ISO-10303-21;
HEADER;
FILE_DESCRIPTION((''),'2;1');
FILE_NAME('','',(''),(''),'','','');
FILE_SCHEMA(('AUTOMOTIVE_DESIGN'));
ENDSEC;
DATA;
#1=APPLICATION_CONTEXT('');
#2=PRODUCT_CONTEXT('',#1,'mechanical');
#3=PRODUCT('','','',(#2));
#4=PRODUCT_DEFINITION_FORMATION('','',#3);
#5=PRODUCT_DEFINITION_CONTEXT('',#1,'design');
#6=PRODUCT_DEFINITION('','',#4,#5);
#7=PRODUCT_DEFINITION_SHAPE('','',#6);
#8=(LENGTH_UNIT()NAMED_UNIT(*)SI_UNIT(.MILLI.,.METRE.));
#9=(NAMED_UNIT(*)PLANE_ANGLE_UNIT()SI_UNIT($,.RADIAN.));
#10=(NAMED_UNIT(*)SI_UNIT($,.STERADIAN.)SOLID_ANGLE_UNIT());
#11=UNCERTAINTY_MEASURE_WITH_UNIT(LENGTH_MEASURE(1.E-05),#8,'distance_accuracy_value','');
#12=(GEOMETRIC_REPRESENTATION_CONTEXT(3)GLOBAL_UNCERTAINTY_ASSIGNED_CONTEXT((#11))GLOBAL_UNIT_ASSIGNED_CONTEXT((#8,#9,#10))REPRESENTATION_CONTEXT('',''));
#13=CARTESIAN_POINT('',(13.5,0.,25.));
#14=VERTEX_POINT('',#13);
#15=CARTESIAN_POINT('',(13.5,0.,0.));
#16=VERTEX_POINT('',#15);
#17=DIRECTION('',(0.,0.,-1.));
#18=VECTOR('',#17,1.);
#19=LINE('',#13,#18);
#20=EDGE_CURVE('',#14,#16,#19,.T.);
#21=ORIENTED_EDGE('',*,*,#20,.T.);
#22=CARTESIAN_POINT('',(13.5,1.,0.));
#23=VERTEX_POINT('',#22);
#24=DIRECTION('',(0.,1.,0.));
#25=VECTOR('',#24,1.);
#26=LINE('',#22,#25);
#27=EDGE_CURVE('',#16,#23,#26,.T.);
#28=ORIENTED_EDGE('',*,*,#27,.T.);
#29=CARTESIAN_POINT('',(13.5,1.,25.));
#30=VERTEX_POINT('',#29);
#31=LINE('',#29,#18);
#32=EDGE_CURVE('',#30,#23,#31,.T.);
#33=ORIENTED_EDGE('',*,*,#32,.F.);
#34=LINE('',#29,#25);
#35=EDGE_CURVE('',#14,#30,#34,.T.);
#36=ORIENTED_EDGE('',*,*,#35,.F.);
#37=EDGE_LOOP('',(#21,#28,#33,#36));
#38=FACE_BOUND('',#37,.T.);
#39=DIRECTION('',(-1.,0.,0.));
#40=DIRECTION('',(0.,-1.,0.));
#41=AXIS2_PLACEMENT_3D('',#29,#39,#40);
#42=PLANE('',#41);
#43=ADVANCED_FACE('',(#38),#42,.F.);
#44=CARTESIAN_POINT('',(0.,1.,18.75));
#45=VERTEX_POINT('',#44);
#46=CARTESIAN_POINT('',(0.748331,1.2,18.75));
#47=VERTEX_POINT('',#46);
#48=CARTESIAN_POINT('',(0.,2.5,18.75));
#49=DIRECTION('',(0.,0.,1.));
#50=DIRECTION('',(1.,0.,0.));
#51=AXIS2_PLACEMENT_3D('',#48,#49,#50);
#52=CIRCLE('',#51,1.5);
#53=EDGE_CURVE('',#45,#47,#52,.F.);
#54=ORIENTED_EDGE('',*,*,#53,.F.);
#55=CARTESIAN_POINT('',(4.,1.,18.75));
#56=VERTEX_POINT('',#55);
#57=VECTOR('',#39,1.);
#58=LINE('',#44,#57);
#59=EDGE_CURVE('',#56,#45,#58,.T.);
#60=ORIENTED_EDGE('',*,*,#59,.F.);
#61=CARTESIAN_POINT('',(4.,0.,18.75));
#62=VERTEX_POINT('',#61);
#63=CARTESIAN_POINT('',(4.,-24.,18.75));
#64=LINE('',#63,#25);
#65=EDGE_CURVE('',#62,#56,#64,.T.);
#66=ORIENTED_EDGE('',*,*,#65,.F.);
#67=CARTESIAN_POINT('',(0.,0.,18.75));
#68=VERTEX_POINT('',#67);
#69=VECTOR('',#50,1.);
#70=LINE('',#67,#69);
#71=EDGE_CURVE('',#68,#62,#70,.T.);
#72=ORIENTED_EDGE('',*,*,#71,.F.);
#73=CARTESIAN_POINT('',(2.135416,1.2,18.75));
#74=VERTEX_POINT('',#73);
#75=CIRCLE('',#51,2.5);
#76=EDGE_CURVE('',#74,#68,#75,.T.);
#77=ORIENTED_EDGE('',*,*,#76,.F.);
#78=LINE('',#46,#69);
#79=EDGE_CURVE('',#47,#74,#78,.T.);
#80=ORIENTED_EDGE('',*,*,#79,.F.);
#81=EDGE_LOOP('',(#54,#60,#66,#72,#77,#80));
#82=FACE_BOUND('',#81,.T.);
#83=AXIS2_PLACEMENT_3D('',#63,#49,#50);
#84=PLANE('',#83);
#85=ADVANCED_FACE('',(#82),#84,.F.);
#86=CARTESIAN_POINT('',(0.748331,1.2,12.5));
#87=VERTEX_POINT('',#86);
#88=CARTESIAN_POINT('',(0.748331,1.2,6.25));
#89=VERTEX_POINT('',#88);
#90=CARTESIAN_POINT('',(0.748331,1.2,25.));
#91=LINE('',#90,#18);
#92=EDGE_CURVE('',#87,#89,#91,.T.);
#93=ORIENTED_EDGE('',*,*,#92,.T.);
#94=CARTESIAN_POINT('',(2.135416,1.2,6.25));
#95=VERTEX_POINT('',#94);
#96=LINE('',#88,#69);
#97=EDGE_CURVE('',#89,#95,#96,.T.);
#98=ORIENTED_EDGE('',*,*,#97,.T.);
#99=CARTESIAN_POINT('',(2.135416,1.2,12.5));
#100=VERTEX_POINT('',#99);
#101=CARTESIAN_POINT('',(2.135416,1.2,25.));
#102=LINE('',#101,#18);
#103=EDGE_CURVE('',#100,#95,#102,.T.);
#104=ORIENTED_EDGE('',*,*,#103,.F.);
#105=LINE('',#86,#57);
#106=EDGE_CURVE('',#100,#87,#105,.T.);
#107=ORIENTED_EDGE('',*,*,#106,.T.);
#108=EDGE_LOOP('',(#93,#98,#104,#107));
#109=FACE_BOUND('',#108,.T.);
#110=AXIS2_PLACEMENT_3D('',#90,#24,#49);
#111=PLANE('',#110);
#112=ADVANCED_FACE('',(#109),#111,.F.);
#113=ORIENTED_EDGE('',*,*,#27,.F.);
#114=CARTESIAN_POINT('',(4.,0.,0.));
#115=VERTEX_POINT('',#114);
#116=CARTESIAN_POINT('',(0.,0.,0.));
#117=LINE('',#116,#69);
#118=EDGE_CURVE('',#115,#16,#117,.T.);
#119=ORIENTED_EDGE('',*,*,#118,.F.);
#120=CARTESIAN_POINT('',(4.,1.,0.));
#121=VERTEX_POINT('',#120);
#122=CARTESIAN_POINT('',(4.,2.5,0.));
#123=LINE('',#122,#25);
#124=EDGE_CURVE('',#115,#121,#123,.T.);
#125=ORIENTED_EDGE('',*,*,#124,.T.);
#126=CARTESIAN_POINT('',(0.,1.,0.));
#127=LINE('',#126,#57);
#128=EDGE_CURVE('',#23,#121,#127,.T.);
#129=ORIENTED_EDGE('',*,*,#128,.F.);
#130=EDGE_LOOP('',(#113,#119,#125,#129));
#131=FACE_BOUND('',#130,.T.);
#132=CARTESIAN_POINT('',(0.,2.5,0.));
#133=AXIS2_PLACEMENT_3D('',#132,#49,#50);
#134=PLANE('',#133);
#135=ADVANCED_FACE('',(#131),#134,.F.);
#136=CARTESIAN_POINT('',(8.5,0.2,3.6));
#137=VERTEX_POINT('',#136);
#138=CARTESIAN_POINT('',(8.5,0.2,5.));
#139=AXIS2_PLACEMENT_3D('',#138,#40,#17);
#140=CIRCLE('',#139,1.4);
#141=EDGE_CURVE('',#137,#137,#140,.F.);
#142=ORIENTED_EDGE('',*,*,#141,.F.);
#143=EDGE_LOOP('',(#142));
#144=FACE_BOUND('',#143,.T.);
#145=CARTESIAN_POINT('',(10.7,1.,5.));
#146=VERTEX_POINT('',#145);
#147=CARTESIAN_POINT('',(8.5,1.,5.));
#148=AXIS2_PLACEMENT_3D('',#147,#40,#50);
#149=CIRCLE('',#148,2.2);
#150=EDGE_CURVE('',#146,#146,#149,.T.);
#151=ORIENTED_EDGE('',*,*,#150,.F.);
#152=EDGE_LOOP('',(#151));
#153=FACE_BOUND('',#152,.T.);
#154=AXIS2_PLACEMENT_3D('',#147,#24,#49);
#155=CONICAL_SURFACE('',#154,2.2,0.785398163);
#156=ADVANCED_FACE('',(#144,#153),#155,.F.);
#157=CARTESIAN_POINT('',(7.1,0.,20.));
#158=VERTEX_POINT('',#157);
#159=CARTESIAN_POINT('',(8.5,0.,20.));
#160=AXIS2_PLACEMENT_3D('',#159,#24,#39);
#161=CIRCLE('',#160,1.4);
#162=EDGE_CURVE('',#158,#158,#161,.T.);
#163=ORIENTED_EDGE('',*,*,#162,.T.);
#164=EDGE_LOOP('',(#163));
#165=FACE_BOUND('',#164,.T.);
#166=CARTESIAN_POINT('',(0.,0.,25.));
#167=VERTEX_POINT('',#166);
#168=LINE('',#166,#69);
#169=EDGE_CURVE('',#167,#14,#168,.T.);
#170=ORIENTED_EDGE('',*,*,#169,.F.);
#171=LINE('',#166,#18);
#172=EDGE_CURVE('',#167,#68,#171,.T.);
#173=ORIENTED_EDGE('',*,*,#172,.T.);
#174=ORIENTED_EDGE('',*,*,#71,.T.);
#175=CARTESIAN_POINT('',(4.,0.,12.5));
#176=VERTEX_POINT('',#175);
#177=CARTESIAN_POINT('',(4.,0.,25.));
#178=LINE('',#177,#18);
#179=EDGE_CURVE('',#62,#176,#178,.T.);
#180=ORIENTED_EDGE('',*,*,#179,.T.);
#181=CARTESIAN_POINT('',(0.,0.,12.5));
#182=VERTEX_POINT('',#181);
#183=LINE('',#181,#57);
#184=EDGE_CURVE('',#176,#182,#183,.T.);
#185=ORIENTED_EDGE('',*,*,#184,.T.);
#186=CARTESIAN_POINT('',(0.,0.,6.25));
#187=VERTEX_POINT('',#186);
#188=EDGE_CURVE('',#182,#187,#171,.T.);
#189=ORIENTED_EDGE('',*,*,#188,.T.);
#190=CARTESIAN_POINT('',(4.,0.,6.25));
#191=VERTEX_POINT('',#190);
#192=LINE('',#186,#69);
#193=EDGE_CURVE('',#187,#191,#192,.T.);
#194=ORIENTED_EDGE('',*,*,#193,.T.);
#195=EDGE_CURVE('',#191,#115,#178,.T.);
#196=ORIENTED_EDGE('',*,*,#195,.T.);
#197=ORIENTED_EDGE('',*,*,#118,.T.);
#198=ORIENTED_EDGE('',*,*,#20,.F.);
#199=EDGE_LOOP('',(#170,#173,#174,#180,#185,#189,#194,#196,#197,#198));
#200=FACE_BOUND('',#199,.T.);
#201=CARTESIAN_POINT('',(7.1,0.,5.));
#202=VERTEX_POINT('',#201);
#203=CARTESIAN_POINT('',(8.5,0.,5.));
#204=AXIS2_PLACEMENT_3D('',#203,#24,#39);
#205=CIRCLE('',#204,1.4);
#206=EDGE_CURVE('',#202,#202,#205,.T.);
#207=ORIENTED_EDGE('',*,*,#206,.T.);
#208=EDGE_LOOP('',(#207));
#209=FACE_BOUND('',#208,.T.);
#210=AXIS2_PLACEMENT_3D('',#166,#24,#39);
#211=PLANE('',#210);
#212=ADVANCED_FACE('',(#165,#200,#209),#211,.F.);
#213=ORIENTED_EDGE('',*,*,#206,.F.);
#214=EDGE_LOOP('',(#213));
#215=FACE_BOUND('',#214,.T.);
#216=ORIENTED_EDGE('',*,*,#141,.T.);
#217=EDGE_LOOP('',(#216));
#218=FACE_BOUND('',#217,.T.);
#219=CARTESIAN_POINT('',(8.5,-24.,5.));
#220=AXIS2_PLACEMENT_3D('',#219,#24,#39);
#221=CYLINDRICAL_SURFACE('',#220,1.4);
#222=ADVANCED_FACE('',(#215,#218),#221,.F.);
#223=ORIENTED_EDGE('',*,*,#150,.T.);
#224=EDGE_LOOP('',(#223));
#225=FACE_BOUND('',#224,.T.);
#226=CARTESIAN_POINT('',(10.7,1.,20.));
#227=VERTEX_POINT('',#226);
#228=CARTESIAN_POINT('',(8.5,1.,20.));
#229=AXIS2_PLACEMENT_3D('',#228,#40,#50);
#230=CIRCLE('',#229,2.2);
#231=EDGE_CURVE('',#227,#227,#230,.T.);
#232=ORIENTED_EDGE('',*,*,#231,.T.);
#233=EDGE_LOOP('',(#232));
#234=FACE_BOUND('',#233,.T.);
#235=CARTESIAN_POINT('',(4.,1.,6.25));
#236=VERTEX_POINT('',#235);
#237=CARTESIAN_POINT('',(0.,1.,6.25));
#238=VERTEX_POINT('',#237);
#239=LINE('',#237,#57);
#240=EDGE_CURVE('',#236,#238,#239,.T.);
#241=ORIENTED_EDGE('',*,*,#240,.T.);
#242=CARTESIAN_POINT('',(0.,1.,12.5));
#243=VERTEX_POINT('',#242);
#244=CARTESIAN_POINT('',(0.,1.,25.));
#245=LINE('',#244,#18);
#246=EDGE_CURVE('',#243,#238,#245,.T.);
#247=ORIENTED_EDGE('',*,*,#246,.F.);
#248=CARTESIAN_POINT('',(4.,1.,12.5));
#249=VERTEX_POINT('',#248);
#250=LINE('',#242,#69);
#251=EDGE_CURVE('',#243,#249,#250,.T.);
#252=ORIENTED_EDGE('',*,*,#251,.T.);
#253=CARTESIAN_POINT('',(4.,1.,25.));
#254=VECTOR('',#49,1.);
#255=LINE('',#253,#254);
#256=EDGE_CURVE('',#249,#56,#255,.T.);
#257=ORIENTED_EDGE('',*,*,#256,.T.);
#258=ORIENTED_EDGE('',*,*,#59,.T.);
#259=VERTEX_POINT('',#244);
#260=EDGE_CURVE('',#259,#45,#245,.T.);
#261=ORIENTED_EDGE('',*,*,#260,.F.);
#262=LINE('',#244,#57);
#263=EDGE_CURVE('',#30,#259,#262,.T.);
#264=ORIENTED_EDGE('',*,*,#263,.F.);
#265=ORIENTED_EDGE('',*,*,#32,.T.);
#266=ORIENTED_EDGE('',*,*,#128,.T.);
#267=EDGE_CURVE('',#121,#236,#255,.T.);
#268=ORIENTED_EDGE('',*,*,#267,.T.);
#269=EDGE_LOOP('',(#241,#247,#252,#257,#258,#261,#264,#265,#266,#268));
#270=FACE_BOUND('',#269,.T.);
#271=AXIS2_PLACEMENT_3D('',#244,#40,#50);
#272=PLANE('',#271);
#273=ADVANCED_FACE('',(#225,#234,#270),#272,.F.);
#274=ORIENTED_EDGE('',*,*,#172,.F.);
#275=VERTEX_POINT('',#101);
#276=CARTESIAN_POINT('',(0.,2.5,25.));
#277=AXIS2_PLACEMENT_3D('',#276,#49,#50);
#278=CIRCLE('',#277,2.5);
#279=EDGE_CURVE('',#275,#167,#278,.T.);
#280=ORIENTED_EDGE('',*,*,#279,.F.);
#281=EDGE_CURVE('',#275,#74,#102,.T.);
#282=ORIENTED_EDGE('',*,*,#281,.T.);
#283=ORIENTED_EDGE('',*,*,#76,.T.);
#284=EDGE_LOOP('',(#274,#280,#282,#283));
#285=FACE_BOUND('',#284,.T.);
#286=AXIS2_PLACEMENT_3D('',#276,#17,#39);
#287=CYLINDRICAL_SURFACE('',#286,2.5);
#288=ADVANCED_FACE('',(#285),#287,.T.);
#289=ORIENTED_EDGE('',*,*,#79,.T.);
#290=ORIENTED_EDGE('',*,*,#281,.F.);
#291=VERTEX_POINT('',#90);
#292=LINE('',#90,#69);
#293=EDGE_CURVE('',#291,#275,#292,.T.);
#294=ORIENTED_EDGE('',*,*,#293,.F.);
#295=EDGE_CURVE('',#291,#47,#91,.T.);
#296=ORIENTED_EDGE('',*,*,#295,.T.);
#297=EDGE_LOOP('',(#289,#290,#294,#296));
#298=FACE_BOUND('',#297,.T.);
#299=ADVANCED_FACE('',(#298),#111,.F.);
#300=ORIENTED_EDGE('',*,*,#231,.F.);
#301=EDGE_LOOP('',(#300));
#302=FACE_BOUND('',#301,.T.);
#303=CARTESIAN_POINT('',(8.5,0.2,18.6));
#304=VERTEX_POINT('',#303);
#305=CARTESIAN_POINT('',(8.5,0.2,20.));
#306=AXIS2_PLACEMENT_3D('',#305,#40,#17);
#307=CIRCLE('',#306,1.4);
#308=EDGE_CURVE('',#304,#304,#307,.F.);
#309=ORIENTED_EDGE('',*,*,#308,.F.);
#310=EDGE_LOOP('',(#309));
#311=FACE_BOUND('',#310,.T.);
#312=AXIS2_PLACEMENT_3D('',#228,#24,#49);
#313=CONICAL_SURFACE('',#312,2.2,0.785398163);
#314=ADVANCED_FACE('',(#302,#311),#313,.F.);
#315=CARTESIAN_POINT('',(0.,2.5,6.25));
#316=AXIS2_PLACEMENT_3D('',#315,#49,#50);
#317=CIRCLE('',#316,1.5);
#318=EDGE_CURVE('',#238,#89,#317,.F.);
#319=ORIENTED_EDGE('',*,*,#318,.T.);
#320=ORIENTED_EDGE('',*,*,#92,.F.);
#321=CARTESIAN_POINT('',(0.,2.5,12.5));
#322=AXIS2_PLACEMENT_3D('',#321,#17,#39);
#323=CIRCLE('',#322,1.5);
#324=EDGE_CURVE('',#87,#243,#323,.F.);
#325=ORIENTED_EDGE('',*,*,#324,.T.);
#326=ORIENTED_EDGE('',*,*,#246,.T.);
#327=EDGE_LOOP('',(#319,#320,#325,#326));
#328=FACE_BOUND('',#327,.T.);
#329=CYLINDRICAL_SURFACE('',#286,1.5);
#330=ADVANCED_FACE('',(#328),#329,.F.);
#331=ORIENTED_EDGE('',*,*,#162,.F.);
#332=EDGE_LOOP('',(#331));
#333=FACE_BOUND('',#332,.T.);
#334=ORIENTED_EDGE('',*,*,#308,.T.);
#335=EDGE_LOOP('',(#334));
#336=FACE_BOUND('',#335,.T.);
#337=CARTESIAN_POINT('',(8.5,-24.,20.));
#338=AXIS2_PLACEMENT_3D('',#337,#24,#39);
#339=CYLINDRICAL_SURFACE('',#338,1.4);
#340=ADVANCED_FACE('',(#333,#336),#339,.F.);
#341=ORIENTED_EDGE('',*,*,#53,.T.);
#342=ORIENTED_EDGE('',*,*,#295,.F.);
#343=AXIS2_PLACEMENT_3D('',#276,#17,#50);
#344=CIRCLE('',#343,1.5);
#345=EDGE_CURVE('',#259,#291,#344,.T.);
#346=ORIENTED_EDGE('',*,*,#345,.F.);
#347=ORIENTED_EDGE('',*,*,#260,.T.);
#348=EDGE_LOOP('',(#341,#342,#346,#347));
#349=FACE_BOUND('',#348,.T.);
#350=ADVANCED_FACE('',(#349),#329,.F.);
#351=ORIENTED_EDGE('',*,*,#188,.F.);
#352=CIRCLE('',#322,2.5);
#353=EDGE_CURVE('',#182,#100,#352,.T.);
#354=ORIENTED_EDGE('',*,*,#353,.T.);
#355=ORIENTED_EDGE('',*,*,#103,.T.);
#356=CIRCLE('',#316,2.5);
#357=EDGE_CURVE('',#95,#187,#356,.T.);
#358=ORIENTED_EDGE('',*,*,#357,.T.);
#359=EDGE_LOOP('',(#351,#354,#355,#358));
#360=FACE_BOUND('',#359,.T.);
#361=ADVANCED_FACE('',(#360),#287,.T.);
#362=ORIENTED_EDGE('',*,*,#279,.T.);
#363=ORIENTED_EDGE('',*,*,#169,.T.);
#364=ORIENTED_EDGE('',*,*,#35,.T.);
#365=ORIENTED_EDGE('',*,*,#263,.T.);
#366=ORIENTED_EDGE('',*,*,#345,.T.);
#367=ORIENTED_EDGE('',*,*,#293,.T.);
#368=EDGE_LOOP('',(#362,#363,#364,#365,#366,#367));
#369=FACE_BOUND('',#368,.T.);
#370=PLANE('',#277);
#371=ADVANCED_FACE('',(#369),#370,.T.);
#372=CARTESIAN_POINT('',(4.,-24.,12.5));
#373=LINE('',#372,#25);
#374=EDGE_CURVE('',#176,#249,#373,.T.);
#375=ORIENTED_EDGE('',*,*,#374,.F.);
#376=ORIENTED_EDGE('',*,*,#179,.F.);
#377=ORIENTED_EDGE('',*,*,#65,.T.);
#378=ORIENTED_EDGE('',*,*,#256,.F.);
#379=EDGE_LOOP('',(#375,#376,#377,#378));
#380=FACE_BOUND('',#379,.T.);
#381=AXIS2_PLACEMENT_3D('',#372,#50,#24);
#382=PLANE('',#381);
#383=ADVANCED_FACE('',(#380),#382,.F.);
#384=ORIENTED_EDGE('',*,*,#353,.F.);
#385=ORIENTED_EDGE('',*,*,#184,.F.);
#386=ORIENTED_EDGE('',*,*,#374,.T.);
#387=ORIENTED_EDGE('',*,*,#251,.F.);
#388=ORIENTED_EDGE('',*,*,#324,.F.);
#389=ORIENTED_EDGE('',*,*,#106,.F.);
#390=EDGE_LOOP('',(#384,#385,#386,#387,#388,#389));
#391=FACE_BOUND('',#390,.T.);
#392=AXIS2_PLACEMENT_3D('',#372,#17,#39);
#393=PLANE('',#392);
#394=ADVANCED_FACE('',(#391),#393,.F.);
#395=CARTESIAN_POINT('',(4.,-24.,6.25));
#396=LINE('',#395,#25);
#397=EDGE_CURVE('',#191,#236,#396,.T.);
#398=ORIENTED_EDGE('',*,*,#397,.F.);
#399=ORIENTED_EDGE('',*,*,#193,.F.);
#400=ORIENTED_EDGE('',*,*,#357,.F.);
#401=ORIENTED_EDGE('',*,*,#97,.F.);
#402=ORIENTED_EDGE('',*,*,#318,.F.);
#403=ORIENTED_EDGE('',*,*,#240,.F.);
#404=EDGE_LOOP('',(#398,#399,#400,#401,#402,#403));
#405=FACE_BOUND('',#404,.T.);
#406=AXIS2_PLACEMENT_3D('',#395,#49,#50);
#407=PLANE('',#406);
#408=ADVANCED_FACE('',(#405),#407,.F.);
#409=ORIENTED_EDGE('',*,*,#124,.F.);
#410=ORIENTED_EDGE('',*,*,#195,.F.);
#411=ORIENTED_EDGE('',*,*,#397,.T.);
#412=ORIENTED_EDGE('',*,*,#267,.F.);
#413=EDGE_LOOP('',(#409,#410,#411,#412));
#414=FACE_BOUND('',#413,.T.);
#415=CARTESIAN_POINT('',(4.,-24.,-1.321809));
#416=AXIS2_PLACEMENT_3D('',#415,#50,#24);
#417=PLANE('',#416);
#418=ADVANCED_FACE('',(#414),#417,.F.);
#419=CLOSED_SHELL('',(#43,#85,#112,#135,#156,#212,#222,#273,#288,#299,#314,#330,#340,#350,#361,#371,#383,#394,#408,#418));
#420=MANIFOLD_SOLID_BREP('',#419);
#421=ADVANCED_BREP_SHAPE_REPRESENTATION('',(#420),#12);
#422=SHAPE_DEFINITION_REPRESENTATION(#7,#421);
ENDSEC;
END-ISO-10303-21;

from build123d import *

# Parameters (mm, degrees)
EXTRUDE_1_DEPTH          = 25
CUT_EXTRUDE_1_DEPTH      = 25
CUT_EXTRUDE_1_DEPTH_BACK = 25
SKETCH_2_R               = 1.4
SKETCH_2_W               = 8.931793576
SKETCH_2_H               = 6.25
SKETCH_2_H_2             = 7.571808546
CHAMFER_1_SIZE           = 0.8


with BuildPart() as part:
    # Эскиз1 → Вытянуть1 (new body)
    with BuildSketch(Plane.XY):
        with BuildLine():
            Line((0, 0), (13.5, 0))
            Line((13.5, 0), (13.5, 1))
            Line((13.5, 1), (0, 1))
            ThreePointArc((0, 1), (-0.387298335, 3.949137675), (0.748331477, 1.2))
            Line((0.748331477, 1.2), (2.13541565, 1.2))
            ThreePointArc((2.13541565, 1.2), (-1.224744871, 4.679449472), (0, 0))
        make_face()
    extrude(amount=EXTRUDE_1_DEPTH)

    # Эскиз2 → Вырез-Вытянуть1 (cut, two sides: drawn at the far end of the back side and taken through both)
    with BuildSketch(Plane(origin=(0, 1, 0), x_dir=(-1, 0, 0), z_dir=(0, 1, 0)).offset(-CUT_EXTRUDE_1_DEPTH_BACK)):
        with Locations((-8.5, 20)):
            Circle(SKETCH_2_R)
        with Locations((-8.5, 5)):
            Circle(SKETCH_2_R)
        with Locations((0.465896788, 15.625)):
            Rectangle(SKETCH_2_W, SKETCH_2_H)
        with Locations((0.465896788, 2.464095727)):
            Rectangle(SKETCH_2_W, SKETCH_2_H_2)
    extrude(amount=CUT_EXTRUDE_1_DEPTH + CUT_EXTRUDE_1_DEPTH_BACK, mode=Mode.SUBTRACT)

    # Фаска1
    chamfer_1_edges = [part.edges().sort_by_distance(p)[0] for p in [
        (9.9, 1, 20),
        (9.9, 1, 5),
    ]]
    chamfer(chamfer_1_edges, length=CHAMFER_1_SIZE)


solid = part.part
